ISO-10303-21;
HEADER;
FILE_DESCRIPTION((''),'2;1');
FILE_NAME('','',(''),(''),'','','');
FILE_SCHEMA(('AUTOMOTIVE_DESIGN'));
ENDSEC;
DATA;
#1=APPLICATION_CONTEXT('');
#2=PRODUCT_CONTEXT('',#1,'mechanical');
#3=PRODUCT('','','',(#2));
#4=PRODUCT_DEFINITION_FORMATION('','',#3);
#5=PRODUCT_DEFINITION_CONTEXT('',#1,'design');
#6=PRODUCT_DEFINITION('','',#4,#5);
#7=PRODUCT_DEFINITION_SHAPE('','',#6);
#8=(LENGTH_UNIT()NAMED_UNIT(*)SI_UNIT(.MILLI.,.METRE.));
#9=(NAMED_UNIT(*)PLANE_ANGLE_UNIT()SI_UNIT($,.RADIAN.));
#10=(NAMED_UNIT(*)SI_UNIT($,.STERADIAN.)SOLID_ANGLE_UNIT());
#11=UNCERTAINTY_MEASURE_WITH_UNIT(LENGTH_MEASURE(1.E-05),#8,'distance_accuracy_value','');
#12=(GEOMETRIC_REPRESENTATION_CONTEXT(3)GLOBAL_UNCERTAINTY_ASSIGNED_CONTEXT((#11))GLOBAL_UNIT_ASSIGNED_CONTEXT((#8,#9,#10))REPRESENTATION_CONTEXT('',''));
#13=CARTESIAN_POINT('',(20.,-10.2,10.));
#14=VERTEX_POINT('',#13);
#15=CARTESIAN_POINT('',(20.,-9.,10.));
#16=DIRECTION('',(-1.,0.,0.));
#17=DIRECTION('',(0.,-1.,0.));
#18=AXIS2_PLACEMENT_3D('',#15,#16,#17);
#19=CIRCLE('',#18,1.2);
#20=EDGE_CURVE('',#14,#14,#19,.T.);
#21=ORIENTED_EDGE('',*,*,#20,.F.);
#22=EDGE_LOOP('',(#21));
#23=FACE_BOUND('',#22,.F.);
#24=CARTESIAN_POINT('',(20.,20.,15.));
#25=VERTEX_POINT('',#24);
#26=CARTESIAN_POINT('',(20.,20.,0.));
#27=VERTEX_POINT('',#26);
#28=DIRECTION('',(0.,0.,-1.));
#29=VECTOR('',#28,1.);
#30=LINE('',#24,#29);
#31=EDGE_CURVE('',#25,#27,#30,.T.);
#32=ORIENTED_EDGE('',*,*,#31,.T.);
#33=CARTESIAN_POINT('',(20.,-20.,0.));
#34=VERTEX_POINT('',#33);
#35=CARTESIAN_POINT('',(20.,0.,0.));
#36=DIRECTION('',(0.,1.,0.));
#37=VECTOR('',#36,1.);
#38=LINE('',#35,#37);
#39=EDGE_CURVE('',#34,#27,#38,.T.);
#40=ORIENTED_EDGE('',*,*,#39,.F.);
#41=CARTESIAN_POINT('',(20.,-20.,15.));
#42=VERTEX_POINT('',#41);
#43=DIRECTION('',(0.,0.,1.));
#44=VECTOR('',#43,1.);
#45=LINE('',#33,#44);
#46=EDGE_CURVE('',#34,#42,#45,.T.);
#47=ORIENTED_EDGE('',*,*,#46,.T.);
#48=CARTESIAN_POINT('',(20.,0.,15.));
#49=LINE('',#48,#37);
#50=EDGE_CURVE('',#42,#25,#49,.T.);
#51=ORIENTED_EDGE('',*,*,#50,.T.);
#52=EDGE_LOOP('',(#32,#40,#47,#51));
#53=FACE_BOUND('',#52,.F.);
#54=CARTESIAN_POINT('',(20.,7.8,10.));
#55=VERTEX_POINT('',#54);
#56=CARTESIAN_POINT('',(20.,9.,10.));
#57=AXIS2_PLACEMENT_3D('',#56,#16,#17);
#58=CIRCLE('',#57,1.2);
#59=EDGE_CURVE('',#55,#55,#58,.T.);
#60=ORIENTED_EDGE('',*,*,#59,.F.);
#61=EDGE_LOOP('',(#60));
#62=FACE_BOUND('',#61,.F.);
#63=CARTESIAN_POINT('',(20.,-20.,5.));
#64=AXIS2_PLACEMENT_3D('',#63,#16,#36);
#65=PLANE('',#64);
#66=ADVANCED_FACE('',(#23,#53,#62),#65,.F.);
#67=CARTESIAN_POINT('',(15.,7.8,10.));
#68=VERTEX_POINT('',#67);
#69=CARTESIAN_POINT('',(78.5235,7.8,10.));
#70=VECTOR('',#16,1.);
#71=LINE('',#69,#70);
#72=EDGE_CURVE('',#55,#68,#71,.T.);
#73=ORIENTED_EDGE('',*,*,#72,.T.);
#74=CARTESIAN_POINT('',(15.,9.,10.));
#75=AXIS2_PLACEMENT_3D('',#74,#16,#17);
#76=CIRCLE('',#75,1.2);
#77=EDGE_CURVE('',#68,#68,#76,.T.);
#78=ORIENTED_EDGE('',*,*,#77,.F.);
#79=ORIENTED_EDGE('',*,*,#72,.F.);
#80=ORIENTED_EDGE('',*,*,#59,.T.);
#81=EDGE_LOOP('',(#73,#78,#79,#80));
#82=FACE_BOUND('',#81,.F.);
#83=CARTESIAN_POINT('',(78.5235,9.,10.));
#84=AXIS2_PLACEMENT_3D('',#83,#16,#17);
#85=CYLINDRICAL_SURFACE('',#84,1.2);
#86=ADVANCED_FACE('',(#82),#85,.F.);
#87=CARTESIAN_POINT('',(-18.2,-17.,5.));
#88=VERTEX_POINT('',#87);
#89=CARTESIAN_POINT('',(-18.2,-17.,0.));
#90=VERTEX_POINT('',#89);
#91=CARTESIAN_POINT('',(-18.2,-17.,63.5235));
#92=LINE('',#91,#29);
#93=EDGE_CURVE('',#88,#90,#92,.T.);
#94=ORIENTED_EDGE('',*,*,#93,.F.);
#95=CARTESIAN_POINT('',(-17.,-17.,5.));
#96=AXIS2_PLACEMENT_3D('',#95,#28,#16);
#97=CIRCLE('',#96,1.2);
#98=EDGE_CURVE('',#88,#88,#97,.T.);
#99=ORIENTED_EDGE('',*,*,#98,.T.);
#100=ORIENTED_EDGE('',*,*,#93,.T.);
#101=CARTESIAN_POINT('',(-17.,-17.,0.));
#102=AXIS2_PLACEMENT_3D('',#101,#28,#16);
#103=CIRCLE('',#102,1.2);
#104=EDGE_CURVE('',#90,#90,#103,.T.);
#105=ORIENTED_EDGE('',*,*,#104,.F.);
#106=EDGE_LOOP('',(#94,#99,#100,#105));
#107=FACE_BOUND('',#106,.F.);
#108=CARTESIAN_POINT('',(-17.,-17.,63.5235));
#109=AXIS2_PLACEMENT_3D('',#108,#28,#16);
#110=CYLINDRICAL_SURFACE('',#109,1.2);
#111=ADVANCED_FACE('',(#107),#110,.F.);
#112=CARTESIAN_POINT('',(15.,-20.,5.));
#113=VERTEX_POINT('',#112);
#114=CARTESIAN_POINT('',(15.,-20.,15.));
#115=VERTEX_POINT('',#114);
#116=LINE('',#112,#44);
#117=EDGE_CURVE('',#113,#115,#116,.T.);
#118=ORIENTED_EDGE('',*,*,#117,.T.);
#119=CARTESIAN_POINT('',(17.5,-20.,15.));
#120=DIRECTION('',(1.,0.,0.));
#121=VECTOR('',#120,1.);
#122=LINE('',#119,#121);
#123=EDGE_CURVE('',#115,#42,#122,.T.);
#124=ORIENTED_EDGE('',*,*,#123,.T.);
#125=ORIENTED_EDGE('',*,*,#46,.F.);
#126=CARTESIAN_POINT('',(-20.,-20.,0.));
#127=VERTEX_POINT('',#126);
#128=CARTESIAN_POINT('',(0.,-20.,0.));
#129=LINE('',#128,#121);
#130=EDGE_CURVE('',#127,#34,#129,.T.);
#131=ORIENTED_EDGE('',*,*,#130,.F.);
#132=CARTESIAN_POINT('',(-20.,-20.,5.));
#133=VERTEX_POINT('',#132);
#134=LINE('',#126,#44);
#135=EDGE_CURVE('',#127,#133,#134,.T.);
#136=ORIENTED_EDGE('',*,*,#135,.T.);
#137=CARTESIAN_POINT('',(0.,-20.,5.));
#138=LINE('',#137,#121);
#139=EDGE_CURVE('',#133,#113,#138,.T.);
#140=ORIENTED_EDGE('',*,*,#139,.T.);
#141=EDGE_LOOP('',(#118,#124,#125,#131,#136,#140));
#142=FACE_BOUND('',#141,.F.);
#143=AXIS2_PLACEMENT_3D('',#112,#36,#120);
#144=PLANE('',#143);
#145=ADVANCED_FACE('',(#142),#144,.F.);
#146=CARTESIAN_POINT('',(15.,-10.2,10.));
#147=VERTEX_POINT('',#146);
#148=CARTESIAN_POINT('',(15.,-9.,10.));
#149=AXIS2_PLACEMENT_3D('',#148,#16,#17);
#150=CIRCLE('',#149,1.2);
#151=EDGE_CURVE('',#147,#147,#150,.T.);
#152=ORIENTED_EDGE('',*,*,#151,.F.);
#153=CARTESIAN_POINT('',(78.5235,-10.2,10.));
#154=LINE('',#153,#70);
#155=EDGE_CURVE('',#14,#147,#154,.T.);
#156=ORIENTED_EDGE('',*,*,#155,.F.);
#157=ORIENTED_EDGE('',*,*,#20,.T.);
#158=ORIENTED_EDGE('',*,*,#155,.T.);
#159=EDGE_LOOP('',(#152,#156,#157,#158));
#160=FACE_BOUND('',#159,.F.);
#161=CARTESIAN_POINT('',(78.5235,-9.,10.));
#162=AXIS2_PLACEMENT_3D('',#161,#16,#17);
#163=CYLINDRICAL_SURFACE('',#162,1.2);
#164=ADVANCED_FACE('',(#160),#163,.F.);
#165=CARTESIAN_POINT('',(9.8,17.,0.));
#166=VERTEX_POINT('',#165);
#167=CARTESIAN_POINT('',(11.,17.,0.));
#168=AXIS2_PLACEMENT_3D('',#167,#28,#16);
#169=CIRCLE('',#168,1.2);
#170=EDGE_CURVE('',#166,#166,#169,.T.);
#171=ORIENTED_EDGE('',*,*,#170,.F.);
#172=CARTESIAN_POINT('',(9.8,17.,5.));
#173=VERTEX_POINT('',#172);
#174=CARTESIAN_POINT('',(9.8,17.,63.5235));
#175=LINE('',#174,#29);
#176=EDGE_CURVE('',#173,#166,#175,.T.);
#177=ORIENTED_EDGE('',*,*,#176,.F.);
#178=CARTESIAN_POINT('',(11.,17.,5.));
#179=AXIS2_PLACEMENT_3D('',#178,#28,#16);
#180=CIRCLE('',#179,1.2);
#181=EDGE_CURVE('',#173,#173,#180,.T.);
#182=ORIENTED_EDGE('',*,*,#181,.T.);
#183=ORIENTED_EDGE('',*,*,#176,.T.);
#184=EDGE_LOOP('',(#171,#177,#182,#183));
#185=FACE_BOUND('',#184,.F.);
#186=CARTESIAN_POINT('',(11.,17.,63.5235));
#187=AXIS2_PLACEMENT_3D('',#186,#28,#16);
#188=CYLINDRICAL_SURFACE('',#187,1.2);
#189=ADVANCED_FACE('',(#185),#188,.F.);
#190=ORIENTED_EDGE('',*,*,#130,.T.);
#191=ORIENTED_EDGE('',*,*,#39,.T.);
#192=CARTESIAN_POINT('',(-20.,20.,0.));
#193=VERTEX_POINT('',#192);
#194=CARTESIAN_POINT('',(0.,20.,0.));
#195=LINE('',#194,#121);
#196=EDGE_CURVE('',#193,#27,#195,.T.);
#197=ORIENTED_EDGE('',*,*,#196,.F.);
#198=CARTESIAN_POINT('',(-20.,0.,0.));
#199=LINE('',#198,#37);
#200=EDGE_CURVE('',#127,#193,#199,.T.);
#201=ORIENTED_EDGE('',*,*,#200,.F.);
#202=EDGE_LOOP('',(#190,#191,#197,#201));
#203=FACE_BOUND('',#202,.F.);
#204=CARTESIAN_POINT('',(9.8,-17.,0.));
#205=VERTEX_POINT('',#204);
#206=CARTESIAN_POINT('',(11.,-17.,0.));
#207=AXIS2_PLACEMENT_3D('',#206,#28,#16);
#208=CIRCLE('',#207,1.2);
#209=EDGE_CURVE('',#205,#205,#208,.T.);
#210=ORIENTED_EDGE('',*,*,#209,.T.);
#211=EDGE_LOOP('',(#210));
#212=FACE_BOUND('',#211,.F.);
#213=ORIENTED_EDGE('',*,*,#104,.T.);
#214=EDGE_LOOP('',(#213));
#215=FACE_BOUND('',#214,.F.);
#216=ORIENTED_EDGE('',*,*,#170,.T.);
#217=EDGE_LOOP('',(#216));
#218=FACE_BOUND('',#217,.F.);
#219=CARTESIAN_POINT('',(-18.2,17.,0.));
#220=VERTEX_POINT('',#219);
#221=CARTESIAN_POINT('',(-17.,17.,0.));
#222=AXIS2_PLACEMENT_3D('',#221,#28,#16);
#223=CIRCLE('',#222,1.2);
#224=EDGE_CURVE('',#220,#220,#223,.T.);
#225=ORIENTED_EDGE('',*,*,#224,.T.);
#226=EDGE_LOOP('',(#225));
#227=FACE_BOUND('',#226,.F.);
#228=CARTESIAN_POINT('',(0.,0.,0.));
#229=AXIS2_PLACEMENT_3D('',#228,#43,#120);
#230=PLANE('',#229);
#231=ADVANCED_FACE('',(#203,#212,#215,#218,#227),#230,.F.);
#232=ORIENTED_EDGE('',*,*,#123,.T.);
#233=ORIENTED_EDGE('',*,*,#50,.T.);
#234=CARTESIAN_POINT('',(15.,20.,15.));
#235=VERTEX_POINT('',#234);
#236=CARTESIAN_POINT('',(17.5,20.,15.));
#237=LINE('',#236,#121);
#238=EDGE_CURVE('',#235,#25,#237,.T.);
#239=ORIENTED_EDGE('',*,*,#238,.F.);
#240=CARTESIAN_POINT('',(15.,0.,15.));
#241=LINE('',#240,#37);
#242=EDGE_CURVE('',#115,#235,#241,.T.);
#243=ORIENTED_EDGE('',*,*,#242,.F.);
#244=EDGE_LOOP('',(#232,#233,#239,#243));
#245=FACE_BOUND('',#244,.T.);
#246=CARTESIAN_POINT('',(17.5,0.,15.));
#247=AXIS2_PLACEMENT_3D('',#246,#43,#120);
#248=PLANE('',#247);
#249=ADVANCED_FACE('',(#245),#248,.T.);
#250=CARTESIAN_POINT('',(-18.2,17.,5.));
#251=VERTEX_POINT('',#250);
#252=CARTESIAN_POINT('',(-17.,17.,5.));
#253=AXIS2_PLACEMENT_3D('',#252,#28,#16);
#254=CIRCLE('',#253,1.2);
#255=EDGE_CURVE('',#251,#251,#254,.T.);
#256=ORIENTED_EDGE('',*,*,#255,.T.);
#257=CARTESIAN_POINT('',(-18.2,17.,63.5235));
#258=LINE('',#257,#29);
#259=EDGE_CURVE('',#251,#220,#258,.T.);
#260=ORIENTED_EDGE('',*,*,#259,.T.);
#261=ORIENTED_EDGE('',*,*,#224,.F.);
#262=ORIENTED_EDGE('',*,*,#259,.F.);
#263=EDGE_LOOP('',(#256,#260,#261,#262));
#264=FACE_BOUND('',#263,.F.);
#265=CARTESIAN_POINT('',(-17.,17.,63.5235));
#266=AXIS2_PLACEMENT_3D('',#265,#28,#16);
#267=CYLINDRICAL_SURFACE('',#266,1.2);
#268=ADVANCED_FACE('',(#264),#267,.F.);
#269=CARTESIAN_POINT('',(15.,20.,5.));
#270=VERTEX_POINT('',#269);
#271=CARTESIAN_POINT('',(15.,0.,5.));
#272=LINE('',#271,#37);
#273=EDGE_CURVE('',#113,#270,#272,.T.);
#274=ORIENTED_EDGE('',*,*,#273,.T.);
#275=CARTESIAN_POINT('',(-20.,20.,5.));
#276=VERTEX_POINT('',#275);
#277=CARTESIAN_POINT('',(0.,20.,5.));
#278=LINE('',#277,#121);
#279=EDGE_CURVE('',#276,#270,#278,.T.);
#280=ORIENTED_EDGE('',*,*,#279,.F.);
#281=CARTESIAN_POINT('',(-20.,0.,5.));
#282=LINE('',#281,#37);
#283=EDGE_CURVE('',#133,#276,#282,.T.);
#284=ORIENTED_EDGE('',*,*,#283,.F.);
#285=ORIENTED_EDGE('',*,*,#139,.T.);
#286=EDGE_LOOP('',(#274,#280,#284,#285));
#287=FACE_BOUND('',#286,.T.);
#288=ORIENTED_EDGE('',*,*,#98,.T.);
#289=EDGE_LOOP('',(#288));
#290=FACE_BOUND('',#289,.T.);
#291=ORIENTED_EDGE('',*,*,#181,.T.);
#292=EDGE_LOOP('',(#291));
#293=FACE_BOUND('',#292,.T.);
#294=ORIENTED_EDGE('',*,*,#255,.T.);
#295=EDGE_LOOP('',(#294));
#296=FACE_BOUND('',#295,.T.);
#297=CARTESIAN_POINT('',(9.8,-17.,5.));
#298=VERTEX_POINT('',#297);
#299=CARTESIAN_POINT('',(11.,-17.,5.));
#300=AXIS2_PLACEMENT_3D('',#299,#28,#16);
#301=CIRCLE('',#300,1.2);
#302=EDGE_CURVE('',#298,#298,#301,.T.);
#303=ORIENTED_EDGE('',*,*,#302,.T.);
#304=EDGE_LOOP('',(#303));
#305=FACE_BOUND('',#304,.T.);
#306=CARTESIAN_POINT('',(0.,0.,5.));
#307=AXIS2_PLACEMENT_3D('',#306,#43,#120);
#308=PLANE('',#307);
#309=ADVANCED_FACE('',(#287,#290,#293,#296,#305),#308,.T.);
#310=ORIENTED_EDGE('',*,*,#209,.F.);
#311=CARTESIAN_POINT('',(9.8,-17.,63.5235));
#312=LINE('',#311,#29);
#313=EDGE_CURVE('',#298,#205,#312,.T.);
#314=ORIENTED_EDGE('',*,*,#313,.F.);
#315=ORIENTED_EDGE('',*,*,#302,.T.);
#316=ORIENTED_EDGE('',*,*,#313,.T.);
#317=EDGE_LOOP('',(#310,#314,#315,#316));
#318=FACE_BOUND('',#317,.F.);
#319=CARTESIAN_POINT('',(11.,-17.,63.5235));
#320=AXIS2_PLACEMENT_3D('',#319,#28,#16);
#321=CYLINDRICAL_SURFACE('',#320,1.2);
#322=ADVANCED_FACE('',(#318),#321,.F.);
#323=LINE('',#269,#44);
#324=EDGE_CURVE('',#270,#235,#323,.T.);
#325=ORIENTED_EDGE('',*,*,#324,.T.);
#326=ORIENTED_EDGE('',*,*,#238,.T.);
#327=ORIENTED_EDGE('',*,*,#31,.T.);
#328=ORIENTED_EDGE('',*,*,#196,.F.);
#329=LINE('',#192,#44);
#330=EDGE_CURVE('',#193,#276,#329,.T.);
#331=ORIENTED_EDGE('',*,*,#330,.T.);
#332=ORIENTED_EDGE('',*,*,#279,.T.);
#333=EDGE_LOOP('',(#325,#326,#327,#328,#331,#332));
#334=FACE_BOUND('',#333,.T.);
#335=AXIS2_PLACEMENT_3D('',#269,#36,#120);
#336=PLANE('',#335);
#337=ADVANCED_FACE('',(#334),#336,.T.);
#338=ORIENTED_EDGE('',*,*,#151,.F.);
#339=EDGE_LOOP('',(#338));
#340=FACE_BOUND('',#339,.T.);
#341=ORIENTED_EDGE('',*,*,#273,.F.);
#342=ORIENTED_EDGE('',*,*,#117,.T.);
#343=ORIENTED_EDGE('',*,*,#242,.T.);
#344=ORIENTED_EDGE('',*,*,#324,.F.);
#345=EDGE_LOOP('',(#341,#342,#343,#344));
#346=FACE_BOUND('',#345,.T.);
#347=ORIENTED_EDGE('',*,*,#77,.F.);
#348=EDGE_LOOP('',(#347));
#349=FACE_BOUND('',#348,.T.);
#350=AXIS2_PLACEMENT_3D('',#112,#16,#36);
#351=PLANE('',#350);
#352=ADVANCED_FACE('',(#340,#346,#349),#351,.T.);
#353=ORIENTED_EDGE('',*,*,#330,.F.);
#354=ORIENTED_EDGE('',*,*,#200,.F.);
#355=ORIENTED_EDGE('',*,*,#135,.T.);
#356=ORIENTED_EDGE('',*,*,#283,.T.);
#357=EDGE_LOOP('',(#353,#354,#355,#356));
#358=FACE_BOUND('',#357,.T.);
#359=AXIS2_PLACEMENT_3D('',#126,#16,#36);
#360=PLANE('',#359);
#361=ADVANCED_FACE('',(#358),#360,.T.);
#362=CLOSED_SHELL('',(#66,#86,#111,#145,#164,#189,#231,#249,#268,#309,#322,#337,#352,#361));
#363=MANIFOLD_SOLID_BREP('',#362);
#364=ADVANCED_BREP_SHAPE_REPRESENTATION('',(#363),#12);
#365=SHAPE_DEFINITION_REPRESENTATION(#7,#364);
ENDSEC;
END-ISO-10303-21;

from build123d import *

# Parameters (mm, degrees)
F0_W     = 40
F0_H     = 40
F1_DEPTH = 5
F2_W     = 5
F2_H     = 40
F3_DEPTH = 10
F5_D     = 2.4
F7_D     = 2.4


with BuildPart() as f1:
    # F0 (on Top) → F1 (new body)
    with BuildSketch(Plane.XY):
        Rectangle(F0_W, F0_H)
    extrude(amount=F1_DEPTH)

    # F2 (on face) → F3 (join)
    with BuildSketch(Plane.XY.offset(5)):
        with Locations((17.5, 0)):
            Rectangle(F2_W, F2_H)
    extrude(amount=F3_DEPTH)

    # F5 (through all)
    with Locations(Plane.YZ.offset(20)):
        with Locations((-9, 10), (9, 10)):
            Hole(F5_D / 2)

    # F7 (through all)
    with Locations(Plane.XY.offset(5)):
        with Locations((-17, 17), (11, 17), (11, -17), (-17, -17)):
            Hole(F7_D / 2)


solid = f1.part
